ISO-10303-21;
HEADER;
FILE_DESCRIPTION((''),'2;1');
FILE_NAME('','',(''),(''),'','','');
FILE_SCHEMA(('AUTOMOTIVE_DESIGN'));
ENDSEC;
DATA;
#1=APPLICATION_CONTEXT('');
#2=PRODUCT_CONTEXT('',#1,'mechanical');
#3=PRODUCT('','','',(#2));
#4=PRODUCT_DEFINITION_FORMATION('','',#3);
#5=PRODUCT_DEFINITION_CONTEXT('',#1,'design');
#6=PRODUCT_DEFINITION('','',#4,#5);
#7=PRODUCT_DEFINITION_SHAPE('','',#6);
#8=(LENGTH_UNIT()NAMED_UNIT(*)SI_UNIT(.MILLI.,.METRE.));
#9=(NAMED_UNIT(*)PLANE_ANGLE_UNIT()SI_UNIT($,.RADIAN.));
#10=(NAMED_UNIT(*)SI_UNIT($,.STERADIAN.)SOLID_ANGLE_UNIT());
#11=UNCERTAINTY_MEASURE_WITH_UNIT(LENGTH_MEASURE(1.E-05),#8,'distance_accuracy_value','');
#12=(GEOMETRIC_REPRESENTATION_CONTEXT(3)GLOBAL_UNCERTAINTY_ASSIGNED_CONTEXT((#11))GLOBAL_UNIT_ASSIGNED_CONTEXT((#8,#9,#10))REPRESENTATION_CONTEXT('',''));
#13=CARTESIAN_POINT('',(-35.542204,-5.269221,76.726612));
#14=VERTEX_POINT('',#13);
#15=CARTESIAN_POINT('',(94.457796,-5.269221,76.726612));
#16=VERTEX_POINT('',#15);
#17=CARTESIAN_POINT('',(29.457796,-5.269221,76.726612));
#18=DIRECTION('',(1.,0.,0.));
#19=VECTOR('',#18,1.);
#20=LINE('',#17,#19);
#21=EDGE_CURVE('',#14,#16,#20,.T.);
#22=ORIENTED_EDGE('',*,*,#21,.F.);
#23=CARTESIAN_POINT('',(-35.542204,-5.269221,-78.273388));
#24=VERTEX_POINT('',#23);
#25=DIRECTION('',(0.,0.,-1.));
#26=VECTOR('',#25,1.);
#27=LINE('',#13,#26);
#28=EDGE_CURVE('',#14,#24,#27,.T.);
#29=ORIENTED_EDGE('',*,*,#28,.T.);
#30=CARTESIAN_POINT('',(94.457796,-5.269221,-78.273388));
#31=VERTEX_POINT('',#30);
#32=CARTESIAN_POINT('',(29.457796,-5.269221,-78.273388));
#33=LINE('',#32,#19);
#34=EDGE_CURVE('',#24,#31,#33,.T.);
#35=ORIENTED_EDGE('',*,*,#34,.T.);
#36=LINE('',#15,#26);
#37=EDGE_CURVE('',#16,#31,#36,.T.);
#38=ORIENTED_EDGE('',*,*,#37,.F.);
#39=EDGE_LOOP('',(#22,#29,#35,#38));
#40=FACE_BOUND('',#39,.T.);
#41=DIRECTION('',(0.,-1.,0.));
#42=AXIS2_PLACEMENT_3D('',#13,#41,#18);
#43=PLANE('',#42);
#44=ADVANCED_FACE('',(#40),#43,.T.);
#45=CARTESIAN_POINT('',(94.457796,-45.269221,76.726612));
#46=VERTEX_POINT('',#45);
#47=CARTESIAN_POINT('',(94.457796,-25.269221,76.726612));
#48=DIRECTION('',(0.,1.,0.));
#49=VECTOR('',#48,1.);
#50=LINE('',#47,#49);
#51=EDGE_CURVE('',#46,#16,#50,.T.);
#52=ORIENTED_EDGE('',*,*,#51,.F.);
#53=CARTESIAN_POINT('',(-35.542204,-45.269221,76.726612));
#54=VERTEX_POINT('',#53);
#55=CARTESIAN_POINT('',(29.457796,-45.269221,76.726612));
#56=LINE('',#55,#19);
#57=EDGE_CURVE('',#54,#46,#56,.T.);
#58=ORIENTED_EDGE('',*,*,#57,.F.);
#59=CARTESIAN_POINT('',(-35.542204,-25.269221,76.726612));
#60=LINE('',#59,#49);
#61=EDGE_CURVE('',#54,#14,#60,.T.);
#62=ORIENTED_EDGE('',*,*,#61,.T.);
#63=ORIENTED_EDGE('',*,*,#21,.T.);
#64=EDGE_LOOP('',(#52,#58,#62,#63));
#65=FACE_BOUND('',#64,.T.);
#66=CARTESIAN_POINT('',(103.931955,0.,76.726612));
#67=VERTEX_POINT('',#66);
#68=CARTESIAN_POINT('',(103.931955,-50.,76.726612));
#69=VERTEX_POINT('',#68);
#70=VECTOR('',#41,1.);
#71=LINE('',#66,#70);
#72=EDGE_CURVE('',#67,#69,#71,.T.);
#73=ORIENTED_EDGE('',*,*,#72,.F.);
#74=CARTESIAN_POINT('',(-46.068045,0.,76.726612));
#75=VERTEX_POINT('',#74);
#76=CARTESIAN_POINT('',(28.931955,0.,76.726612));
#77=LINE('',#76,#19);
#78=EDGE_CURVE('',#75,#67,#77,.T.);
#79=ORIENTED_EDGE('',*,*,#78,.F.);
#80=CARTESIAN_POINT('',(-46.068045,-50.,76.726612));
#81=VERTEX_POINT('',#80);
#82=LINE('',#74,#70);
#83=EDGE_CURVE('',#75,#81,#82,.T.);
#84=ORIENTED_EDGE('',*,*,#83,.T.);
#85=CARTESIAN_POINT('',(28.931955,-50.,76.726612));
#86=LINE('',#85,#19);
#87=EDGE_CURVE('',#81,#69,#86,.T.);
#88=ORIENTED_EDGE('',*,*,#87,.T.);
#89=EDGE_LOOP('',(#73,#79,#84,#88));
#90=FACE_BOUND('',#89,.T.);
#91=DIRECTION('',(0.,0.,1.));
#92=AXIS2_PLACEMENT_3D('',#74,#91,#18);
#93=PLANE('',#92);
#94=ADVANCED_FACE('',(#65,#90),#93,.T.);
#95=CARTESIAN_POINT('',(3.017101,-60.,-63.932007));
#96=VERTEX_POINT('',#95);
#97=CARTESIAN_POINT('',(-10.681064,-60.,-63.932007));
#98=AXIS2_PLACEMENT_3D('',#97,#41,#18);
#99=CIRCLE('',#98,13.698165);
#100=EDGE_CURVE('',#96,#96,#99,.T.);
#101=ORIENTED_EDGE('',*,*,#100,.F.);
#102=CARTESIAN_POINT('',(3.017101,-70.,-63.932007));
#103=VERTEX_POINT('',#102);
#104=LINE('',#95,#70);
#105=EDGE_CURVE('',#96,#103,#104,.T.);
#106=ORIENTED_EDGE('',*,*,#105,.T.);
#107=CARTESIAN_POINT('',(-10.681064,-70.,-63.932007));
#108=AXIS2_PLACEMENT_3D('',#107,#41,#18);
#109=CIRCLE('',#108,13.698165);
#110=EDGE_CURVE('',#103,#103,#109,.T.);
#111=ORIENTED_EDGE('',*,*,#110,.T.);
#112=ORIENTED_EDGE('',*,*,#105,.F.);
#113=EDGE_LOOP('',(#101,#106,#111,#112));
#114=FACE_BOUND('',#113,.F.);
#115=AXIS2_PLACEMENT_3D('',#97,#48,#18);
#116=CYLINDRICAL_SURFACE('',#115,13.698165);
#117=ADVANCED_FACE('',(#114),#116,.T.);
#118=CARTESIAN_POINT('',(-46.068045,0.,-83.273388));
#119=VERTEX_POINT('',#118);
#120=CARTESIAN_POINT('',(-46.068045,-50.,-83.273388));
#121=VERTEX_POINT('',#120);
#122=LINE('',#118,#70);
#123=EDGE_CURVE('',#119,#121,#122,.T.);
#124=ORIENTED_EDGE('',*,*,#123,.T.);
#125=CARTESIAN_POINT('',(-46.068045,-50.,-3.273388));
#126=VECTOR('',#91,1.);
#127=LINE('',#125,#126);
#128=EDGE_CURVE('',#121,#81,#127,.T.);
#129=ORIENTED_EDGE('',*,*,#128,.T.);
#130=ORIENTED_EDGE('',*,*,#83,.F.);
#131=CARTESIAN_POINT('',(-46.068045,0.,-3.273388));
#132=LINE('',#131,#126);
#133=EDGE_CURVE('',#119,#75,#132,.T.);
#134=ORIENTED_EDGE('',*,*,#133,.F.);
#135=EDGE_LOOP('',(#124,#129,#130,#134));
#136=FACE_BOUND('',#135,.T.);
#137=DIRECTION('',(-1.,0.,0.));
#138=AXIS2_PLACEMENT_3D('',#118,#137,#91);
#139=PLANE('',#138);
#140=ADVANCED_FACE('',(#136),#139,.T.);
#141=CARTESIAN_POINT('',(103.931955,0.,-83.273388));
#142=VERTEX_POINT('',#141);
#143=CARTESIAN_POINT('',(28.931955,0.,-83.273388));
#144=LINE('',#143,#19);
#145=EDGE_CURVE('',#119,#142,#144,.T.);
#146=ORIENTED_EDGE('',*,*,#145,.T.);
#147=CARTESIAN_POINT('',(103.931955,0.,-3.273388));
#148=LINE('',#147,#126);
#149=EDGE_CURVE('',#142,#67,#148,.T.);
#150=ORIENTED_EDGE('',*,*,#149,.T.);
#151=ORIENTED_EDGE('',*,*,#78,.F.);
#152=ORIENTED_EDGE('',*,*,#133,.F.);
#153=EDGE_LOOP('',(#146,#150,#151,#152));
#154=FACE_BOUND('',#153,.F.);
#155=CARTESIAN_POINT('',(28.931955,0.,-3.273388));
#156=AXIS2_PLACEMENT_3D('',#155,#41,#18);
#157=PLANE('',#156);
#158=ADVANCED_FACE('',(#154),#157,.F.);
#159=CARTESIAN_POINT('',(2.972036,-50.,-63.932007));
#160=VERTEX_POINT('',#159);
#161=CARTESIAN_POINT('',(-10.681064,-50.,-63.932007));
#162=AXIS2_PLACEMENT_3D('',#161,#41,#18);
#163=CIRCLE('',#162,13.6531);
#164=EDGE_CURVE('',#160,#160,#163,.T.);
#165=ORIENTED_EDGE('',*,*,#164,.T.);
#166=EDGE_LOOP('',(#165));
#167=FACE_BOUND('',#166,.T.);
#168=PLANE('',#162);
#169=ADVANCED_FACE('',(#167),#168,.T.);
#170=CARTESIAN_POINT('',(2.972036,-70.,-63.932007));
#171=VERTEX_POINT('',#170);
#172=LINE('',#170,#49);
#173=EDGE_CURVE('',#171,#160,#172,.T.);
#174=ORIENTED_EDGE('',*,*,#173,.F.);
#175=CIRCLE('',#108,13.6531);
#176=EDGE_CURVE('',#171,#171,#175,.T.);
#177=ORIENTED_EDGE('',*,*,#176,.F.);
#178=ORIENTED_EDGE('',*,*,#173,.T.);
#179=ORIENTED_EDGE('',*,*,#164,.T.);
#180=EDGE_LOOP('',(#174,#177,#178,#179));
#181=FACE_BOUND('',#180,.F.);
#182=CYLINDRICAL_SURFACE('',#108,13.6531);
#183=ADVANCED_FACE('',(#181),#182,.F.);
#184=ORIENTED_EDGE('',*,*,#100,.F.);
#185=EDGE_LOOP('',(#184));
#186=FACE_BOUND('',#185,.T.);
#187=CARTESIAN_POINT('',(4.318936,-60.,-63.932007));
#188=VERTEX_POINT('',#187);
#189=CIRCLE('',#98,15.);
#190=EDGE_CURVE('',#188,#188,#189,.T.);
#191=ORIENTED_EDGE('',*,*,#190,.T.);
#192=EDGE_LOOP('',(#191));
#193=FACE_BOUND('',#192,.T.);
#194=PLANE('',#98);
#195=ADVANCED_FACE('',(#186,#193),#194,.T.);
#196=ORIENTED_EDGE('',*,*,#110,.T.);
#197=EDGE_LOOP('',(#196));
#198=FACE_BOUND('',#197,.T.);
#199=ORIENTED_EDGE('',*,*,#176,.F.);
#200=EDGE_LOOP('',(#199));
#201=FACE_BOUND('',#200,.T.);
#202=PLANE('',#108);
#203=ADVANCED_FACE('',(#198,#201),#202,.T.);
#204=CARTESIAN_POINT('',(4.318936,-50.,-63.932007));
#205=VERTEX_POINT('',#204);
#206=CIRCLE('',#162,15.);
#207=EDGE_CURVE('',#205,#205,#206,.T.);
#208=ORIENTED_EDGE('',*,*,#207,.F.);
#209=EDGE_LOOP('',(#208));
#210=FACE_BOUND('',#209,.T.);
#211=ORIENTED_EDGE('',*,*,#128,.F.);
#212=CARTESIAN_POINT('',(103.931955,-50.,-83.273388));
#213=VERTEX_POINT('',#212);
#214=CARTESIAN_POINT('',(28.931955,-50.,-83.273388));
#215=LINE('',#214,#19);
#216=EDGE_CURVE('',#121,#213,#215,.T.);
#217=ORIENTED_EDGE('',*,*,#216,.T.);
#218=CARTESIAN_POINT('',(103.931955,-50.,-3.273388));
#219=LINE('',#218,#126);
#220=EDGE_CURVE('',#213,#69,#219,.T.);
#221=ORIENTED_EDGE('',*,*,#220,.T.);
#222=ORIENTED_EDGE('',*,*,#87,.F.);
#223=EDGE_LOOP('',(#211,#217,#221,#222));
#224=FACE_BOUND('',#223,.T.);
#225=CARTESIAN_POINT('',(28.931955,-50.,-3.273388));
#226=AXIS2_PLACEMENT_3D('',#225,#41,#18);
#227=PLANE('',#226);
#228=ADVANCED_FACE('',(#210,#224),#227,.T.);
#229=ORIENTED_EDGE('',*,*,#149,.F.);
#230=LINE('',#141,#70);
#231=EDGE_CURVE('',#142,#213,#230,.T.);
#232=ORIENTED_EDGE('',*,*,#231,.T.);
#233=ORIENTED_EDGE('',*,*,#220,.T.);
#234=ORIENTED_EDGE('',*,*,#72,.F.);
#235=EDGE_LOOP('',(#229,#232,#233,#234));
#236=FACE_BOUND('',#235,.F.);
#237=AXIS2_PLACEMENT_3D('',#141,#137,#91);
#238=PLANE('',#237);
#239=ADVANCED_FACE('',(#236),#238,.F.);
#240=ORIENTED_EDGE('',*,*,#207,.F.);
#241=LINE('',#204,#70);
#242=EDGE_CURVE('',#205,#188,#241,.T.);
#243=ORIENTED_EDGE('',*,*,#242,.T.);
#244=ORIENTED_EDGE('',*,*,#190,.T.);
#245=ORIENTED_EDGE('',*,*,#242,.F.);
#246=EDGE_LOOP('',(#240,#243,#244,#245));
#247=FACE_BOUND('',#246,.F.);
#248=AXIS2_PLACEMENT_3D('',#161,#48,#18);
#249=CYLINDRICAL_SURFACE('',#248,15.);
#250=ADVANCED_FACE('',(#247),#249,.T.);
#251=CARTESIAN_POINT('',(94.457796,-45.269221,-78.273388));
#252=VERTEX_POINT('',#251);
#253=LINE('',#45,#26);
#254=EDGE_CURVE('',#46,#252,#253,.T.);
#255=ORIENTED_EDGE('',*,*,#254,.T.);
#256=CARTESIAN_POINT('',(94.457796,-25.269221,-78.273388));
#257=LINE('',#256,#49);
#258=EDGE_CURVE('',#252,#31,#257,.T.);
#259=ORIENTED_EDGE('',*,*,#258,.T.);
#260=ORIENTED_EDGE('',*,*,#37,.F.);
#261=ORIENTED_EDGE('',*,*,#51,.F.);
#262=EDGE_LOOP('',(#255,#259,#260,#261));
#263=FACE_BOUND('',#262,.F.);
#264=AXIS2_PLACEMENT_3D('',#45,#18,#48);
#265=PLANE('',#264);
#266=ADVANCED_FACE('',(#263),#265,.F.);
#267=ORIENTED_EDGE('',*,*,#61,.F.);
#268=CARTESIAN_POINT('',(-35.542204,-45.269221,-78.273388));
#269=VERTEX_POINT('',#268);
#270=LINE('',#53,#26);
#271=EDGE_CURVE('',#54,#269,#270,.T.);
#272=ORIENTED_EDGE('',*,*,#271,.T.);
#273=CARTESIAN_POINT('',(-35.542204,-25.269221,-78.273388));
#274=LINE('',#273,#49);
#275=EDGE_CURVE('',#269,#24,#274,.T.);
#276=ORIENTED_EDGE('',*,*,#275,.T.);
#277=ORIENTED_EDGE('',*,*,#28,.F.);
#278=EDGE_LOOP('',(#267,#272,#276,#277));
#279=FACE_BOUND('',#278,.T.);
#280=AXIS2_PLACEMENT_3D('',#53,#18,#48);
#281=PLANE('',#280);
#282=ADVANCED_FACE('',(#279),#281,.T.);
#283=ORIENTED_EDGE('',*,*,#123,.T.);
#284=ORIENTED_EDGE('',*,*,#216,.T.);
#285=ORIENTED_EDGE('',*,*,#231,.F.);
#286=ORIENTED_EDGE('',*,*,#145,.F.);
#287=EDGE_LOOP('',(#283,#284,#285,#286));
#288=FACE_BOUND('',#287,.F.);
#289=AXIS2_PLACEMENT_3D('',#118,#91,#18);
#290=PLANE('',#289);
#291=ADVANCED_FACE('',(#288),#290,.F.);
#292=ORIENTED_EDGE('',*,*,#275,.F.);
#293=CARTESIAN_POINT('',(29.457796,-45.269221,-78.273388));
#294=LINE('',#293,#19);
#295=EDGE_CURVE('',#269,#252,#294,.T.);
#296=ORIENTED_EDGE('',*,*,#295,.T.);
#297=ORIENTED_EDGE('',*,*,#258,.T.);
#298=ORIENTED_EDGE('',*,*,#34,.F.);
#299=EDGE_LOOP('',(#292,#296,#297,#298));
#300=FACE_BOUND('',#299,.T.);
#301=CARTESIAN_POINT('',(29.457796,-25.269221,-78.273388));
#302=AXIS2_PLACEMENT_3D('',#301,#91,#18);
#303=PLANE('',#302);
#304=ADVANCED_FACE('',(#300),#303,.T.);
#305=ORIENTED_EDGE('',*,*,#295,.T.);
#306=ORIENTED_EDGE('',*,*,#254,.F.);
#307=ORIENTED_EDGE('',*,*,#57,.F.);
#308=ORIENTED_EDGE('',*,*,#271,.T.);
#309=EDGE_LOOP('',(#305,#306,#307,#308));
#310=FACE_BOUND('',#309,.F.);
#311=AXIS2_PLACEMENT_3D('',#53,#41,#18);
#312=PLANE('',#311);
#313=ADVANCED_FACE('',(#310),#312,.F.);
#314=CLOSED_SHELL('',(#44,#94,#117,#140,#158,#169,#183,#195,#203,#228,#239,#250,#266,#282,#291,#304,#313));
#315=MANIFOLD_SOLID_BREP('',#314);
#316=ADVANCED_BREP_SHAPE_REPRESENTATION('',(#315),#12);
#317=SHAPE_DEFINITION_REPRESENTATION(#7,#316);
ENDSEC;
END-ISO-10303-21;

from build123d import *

# Parameters (mm, degrees)
F0_W     = 150
F0_H     = 160
F1_DEPTH = 50
F2_W     = 130
F2_H     = 40
F3_DEPTH = 155
F4_R     = 15
F5_DEPTH = 10
F6_R     = 13.698165
F7_DEPTH = 10
F8_R     = 13.6531
F9_DEPTH = 20


with BuildPart() as f1:
    # F0 (on Front) → F1 (new body)
    with BuildSketch(Plane.XZ):
        with Locations((28.931955, -3.273388)):
            Rectangle(F0_W, F0_H)
    extrude(amount=F1_DEPTH)

    # F2 (on face) → F3 (cut)
    with BuildSketch(Plane.XY.offset(76.726612)):
        with Locations((29.457796, -25.269221)):
            Rectangle(F2_W, F2_H)
    extrude(amount=-F3_DEPTH, mode=Mode.SUBTRACT)

    # F4 (on face) → F5 (join)
    with BuildSketch(Plane.XZ.offset(50)):
        with Locations((-10.681064, -63.932007)):
            Circle(F4_R)
    extrude(amount=F5_DEPTH)

    # F6 (on face) → F7 (join)
    with BuildSketch(Plane.XZ.offset(60)):
        with Locations((-10.681064, -63.932007)):
            Circle(F6_R)
    extrude(amount=F7_DEPTH)

    # F8 (on face) → F9 (cut)
    with BuildSketch(Plane.XZ.offset(70)):
        with Locations((-10.681064, -63.932007)):
            Circle(F8_R)
    extrude(amount=-F9_DEPTH, mode=Mode.SUBTRACT)


solid = f1.part
